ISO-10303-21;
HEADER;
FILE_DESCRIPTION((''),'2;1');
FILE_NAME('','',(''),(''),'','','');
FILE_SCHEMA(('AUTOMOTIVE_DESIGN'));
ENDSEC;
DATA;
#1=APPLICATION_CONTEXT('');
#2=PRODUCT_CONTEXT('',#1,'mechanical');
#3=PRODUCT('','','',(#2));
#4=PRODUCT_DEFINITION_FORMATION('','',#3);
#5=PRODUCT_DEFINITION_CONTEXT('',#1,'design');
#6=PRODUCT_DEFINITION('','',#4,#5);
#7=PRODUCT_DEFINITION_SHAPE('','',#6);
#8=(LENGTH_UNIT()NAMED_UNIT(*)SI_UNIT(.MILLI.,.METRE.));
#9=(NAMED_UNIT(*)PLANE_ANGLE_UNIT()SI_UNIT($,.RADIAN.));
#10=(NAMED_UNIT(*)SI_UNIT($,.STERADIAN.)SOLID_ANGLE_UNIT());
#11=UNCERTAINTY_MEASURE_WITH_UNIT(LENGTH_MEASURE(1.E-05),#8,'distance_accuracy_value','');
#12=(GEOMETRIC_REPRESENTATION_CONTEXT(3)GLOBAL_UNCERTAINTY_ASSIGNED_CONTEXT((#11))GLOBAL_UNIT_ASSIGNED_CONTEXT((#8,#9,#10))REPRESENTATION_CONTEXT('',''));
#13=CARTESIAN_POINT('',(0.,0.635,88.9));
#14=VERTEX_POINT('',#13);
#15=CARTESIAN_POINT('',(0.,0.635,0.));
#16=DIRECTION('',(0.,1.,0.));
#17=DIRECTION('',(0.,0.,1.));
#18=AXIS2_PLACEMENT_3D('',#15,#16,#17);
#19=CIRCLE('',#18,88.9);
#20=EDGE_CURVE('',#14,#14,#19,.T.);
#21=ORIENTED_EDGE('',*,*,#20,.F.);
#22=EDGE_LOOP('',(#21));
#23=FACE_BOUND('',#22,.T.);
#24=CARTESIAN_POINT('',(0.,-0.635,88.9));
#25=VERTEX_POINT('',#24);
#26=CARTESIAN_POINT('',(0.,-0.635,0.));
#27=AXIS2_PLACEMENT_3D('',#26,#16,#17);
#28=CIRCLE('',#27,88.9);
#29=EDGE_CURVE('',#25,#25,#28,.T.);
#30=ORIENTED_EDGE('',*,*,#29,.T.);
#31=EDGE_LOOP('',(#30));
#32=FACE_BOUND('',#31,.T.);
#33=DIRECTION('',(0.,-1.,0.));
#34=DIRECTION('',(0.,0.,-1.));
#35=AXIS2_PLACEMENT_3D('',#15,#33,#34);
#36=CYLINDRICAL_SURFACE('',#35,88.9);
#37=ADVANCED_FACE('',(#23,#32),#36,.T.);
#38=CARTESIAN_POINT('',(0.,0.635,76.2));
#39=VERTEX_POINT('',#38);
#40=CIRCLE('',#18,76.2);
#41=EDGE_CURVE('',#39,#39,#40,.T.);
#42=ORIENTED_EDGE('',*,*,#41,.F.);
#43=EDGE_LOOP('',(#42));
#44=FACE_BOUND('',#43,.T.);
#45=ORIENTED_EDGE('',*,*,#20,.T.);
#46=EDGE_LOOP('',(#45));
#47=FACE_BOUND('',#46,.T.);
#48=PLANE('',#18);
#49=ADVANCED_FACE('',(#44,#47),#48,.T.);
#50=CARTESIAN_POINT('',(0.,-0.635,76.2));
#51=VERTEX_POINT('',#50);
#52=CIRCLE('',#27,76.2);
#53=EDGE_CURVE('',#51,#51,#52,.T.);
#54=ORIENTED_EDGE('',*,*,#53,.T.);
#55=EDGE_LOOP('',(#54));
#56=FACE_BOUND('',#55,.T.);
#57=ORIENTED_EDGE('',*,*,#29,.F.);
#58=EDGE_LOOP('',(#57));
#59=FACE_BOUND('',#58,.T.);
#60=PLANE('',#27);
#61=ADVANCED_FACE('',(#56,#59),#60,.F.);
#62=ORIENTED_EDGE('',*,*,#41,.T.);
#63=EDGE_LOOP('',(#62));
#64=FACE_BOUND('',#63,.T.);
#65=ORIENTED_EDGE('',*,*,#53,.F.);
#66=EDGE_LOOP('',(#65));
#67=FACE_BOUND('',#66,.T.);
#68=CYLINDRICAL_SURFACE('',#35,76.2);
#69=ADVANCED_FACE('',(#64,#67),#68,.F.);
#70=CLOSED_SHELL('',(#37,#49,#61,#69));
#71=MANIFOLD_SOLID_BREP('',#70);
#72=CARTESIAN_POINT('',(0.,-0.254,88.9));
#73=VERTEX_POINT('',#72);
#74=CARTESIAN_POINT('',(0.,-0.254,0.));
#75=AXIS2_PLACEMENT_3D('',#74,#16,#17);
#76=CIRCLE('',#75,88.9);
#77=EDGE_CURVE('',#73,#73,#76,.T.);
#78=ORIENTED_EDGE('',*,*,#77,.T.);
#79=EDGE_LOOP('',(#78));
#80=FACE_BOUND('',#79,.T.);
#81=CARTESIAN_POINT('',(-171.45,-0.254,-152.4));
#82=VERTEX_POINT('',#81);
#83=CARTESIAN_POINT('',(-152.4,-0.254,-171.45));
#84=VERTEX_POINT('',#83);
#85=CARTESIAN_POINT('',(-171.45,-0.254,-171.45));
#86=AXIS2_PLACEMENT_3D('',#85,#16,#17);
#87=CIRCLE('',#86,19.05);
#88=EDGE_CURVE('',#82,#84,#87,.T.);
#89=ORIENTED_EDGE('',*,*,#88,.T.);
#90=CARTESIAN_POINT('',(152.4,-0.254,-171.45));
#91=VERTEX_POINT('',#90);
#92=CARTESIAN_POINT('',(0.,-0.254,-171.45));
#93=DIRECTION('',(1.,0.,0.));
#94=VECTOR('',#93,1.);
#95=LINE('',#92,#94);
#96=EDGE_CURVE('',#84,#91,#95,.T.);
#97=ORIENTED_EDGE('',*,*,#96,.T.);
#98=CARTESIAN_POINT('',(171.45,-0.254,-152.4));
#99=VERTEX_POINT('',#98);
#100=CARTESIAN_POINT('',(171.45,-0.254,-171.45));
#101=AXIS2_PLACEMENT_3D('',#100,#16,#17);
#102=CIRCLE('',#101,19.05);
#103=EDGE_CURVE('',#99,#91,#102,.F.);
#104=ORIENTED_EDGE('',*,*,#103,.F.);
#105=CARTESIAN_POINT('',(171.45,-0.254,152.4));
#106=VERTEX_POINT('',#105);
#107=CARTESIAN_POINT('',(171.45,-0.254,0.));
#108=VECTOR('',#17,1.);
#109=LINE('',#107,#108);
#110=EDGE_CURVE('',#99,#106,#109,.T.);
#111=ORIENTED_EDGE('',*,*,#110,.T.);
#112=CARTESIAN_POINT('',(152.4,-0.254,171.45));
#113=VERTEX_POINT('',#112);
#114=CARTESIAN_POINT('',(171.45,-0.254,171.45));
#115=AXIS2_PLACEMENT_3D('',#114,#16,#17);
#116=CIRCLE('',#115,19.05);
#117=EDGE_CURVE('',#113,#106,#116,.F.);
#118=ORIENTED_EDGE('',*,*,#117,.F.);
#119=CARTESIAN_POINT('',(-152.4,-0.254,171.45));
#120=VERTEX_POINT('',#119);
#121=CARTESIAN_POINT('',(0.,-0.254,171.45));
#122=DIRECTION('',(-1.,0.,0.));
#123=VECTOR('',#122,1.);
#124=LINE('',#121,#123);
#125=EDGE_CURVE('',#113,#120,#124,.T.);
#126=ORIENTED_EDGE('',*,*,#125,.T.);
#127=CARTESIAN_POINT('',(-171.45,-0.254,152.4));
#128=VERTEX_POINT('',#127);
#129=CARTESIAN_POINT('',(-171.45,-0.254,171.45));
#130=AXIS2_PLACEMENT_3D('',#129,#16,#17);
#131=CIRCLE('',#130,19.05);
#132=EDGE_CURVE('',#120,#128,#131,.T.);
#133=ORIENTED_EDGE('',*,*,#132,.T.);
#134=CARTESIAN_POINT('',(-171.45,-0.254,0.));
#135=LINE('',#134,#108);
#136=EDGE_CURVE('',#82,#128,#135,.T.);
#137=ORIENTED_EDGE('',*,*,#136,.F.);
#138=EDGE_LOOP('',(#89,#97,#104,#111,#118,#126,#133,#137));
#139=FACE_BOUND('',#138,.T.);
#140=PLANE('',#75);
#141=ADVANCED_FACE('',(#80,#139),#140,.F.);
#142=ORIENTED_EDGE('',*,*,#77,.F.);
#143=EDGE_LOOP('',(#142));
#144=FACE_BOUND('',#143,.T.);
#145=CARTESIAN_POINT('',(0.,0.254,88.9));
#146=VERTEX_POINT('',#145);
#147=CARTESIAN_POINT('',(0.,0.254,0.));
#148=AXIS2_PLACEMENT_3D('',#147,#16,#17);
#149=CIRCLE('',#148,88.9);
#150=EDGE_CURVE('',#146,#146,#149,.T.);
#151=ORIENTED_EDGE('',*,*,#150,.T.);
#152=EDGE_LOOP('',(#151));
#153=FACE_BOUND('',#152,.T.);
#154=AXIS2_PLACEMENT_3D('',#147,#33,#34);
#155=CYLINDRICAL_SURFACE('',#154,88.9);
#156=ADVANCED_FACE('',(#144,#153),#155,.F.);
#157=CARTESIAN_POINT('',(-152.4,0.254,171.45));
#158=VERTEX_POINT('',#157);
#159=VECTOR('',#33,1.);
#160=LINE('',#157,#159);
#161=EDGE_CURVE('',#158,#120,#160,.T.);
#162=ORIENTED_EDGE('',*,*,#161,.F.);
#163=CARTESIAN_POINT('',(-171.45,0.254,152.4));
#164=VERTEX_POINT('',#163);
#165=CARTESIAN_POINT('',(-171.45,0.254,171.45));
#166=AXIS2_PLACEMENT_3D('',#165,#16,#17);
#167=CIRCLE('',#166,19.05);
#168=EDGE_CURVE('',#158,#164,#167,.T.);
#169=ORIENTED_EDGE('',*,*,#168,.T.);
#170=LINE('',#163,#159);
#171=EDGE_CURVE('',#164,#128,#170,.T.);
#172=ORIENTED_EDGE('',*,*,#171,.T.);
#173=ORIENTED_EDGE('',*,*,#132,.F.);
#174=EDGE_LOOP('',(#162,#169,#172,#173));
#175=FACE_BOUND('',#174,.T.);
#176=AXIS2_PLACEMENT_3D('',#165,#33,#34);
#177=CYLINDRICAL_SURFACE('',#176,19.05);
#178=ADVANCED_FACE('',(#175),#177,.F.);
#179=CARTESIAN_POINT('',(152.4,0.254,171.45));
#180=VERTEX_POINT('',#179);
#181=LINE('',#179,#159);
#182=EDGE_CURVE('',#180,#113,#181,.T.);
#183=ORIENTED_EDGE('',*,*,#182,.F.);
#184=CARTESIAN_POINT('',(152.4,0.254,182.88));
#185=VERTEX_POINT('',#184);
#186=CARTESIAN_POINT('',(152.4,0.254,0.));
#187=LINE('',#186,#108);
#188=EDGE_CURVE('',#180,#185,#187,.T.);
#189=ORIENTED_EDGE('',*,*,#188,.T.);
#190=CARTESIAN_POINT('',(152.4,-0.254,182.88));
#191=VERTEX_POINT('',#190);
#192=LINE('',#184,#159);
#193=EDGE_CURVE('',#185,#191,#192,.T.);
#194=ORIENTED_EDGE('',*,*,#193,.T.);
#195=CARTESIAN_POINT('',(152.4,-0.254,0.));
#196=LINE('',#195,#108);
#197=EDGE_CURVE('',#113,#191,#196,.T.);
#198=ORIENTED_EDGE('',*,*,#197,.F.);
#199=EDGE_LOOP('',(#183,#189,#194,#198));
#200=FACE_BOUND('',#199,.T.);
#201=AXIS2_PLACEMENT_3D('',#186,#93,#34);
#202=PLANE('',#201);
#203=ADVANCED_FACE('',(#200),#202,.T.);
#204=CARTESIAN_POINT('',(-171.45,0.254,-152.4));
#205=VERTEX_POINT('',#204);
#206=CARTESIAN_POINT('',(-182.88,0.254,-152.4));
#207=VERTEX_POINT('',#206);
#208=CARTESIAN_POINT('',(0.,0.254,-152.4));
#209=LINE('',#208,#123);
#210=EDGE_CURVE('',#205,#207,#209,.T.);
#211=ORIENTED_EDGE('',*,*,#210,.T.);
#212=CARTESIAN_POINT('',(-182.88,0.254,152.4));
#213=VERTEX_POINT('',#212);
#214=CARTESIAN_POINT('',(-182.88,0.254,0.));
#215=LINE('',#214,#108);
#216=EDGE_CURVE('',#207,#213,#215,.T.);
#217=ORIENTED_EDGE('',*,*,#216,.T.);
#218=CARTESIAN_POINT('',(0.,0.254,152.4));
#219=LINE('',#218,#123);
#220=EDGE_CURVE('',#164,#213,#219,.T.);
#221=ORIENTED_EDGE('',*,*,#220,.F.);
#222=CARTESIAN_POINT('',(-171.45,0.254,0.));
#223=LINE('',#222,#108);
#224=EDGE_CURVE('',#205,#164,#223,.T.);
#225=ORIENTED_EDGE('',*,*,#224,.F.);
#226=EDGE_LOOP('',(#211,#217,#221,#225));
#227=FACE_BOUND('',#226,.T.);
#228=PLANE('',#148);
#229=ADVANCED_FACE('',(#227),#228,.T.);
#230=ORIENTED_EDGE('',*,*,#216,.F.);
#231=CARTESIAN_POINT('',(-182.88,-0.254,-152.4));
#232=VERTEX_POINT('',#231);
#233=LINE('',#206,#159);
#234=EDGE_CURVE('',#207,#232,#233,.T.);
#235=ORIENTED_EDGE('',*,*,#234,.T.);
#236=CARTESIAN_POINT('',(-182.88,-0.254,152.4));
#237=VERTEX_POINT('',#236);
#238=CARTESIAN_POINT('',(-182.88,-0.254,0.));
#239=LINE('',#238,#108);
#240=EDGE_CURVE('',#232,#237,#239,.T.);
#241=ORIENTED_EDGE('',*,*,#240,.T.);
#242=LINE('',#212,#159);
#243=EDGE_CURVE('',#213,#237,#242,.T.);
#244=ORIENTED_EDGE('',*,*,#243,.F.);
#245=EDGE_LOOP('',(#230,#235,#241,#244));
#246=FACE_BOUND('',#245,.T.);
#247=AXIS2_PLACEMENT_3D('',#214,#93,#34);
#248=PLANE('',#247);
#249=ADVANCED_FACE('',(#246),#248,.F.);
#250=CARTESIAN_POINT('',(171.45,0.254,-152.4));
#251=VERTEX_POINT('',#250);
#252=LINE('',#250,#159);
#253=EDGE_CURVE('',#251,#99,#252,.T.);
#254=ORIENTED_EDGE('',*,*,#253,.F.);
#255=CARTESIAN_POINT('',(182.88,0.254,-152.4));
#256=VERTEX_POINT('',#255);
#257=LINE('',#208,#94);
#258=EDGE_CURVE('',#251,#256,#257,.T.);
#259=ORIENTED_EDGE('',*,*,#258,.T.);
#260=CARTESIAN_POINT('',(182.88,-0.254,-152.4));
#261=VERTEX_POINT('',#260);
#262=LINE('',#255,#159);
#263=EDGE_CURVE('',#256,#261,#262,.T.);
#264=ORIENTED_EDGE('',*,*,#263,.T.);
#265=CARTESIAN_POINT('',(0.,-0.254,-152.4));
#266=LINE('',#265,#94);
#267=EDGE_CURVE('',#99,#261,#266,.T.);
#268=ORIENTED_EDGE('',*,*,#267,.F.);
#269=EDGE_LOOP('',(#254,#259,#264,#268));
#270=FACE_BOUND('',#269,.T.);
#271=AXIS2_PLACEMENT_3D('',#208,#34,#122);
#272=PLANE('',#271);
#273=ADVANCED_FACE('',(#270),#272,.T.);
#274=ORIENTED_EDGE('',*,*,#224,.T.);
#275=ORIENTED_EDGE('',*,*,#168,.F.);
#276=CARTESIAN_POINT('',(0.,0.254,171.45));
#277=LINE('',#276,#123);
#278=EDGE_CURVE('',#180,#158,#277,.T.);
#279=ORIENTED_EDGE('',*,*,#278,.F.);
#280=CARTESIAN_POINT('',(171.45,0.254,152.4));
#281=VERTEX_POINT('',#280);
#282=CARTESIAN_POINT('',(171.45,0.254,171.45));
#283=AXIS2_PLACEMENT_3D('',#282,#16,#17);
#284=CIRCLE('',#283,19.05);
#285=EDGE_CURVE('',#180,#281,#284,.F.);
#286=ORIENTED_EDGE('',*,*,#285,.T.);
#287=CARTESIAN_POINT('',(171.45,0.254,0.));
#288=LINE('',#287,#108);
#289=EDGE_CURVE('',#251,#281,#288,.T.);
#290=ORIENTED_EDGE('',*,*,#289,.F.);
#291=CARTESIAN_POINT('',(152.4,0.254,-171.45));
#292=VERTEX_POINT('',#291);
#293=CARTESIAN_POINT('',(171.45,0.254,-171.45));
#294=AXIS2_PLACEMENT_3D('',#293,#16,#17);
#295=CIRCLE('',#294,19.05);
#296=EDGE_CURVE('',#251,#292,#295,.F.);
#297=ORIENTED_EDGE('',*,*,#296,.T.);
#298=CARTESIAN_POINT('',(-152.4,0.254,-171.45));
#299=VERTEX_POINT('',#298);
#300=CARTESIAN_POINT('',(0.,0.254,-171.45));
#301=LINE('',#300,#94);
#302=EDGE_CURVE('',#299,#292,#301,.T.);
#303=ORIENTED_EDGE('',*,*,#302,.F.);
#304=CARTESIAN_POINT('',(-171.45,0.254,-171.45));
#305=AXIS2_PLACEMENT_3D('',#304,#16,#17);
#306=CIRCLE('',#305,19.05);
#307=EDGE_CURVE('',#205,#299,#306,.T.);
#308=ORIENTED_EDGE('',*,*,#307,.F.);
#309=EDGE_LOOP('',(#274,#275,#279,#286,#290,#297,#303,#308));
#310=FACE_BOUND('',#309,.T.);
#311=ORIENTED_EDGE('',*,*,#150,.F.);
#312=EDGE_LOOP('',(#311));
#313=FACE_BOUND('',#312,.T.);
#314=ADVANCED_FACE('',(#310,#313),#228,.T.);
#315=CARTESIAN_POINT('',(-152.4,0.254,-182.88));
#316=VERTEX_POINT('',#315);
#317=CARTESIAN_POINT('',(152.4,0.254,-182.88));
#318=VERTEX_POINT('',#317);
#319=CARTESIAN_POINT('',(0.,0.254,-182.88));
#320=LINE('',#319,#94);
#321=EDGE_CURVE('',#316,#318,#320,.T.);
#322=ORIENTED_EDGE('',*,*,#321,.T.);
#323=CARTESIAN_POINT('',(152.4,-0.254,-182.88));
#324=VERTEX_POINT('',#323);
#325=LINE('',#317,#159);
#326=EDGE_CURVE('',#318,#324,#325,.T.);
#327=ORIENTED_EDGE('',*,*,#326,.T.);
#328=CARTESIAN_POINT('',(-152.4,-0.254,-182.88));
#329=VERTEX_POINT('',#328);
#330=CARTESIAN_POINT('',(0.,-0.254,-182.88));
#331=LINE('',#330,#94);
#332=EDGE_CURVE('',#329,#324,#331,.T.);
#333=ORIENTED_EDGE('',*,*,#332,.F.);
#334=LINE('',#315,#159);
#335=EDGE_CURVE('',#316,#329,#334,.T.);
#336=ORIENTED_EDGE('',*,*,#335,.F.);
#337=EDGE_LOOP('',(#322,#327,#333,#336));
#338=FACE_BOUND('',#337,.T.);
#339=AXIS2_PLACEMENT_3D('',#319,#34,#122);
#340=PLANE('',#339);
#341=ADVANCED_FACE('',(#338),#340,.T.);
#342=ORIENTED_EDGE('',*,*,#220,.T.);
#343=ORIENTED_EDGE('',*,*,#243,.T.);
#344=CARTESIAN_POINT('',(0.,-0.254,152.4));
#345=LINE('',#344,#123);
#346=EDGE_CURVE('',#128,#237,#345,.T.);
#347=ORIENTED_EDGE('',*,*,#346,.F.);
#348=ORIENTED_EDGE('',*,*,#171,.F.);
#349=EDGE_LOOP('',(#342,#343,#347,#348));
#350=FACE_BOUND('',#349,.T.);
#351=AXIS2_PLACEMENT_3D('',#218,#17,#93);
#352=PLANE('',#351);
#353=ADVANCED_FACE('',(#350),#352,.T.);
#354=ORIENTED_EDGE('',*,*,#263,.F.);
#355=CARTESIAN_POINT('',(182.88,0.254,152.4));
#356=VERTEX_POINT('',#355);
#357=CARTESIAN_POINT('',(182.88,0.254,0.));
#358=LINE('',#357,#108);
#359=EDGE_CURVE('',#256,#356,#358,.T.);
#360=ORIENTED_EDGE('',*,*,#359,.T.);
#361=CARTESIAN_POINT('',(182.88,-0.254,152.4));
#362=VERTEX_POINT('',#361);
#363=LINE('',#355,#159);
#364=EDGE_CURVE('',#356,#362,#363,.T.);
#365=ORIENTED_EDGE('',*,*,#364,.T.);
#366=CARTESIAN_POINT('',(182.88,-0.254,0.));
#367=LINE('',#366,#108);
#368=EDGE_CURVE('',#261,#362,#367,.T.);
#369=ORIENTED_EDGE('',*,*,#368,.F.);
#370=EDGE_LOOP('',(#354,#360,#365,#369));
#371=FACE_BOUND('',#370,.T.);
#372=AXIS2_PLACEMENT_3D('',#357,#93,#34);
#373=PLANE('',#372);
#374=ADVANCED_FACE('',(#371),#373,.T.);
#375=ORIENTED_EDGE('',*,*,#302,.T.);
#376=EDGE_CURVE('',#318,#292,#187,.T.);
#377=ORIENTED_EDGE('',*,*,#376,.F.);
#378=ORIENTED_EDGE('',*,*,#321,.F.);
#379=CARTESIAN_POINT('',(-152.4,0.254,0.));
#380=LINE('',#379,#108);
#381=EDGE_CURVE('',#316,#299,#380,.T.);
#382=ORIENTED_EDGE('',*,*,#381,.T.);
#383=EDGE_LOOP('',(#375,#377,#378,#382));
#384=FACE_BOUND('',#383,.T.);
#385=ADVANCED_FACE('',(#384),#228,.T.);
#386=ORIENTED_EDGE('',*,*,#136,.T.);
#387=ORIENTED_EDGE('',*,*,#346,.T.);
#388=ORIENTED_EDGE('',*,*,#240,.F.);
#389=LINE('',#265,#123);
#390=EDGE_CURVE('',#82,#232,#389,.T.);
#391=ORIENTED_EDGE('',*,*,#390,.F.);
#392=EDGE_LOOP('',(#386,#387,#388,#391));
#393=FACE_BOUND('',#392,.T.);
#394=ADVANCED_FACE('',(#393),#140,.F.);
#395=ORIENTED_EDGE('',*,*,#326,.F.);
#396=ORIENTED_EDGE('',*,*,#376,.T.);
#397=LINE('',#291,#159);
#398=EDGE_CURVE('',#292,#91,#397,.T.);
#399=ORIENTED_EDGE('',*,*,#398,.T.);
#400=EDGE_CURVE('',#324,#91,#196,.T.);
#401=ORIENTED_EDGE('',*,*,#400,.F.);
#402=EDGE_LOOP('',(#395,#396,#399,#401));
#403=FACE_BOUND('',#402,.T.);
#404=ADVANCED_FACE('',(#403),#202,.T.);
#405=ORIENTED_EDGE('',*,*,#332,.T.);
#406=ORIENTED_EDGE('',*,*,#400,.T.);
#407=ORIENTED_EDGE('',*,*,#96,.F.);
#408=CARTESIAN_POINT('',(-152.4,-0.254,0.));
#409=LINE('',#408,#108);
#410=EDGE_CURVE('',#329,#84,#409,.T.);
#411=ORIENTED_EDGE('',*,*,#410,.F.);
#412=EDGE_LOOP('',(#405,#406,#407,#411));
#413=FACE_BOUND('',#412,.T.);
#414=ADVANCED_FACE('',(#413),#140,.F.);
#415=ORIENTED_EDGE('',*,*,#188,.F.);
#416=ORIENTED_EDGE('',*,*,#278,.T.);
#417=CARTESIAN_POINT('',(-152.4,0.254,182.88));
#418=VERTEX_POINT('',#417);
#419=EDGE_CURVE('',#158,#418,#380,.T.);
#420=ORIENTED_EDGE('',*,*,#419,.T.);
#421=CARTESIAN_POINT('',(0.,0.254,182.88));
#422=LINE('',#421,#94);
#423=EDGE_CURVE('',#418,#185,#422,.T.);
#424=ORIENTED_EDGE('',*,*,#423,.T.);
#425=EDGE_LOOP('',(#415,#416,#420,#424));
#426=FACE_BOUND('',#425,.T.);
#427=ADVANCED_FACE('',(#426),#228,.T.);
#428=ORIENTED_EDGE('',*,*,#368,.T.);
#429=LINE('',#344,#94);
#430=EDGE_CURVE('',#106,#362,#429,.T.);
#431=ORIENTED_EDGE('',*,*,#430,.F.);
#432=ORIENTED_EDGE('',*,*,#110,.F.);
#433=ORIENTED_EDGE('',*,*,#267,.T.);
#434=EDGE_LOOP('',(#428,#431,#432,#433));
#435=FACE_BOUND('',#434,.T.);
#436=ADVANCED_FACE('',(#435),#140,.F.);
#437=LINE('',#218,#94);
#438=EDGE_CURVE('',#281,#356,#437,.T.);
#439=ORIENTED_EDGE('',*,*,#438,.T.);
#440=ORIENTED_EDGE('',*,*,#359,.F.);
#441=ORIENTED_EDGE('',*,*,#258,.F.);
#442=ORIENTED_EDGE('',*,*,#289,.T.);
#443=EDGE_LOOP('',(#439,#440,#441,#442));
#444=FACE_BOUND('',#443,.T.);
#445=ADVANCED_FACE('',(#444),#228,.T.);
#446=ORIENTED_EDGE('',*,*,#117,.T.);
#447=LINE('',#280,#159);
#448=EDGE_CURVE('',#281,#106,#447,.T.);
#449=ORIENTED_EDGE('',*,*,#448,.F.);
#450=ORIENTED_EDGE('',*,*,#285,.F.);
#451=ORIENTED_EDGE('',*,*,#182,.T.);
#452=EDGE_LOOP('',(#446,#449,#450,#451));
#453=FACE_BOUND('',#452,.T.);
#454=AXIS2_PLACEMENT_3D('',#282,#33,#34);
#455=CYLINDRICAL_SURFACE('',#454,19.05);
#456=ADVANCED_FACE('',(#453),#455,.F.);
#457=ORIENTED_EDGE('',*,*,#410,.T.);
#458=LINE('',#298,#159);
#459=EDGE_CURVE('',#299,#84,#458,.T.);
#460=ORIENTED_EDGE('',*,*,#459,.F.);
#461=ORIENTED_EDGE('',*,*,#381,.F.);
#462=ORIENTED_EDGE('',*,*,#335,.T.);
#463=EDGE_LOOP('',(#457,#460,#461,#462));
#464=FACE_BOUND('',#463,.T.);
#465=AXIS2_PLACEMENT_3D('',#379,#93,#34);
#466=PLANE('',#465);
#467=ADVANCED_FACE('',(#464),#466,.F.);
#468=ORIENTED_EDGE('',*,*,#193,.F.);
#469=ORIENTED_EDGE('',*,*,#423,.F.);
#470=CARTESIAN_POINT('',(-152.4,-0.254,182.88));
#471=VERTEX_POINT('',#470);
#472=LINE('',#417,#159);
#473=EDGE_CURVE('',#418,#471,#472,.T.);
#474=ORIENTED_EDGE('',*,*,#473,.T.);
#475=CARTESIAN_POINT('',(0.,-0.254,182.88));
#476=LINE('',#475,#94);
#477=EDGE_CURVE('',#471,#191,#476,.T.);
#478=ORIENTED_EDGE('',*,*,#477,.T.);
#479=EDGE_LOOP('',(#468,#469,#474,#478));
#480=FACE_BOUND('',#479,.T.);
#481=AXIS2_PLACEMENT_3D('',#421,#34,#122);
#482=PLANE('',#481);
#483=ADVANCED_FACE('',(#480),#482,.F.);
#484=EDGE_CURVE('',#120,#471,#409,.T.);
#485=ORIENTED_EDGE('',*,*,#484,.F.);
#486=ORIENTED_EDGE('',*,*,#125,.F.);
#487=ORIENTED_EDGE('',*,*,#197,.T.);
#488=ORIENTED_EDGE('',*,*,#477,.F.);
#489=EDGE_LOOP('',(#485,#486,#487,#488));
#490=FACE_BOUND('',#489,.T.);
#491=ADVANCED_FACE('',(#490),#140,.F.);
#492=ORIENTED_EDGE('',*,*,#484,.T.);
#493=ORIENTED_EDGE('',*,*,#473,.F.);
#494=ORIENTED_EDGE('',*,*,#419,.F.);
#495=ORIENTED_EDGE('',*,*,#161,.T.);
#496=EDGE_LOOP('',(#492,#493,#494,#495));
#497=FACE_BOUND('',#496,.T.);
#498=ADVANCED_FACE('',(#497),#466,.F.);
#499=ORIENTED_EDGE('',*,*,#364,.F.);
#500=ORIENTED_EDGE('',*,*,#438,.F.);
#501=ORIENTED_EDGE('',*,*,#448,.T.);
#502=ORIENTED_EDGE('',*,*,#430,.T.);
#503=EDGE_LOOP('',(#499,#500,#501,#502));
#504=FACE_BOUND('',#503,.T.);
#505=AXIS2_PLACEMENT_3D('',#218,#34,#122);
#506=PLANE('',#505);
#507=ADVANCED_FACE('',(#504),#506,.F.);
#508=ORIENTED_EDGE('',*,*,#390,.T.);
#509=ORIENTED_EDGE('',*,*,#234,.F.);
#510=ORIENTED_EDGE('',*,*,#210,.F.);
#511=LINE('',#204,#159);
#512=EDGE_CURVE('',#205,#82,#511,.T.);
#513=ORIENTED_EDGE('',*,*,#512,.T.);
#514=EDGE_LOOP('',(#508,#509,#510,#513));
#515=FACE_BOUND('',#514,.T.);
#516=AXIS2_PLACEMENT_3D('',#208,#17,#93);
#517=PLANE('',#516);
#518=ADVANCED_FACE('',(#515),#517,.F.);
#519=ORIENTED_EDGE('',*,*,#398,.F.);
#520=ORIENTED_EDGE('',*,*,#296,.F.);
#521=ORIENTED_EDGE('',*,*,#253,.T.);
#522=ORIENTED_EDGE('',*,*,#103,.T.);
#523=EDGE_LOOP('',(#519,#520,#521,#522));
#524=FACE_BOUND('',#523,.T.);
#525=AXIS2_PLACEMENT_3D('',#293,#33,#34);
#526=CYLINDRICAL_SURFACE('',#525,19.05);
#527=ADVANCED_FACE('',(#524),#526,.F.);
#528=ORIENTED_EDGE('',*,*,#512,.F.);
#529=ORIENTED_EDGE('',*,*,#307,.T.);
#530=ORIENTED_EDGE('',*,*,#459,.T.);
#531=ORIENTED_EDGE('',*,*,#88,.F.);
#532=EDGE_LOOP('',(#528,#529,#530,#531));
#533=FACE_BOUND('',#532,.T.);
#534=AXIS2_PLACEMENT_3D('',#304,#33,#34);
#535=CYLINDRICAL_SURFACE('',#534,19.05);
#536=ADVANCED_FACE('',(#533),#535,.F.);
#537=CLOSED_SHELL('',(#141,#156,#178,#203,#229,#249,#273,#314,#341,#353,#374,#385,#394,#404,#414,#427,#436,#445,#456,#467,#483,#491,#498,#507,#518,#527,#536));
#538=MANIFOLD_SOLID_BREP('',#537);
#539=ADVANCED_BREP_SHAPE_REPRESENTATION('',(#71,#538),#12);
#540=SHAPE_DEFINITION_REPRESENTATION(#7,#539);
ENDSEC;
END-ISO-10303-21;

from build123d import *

# Parameters (mm, degrees)
SKETCH1_R           = 88.9
BOSS_EXTRUDE1_DEPTH = 0.254
SKETCH1_4_R         = 88.9
SKETCH1_4_R_2       = 76.2
BOSS_EXTRUDE2_DEPTH = 0.635


with BuildPart() as part:
    # Sketch1 → Boss-Extrude1 (new, symmetric)
    with BuildSketch(Plane(origin=(0, 0, 0), x_dir=(1, 0, 0), z_dir=(0, 1, 0))):
        with BuildLine():
            ThreePointArc((-171.45, -152.4), (-157.979615818, -157.979615818), (-152.4, -171.45))
            Line((-152.4, -171.45), (-152.4, -182.88))
            Line((-152.4, -182.88), (152.4, -182.88))
            Line((152.4, -182.88), (152.4, -171.45))
            ThreePointArc((152.4, -171.45), (157.979615818, -157.979615818), (171.45, -152.4))
            Line((171.45, -152.4), (182.88, -152.4))
            Line((182.88, -152.4), (182.88, 152.4))
            Line((182.88, 152.4), (171.45, 152.4))
            ThreePointArc((171.45, 152.4), (157.979615818, 157.979615818), (152.4, 171.45))
            Line((152.4, 171.45), (152.4, 182.88))
            Line((152.4, 182.88), (-152.4, 182.88))
            Line((-152.4, 182.88), (-152.4, 171.45))
            ThreePointArc((-152.4, 171.45), (-157.979615818, 157.979615818), (-171.45, 152.4))
            Line((-171.45, 152.4), (-182.88, 152.4))
            Line((-182.88, 152.4), (-182.88, -152.4))
            Line((-182.88, -152.4), (-171.45, -152.4))
        make_face()
        Circle(SKETCH1_R, mode=Mode.SUBTRACT)
    extrude(amount=BOSS_EXTRUDE1_DEPTH, both=True)


with BuildPart() as body_2:
    # Sketch1<4> → Boss-Extrude2 (new, symmetric)
    with BuildSketch(Plane(origin=(0, 0, 0), x_dir=(1, 0, 0), z_dir=(0, 1, 0))):
        Circle(SKETCH1_4_R)
        Circle(SKETCH1_4_R_2, mode=Mode.SUBTRACT)
    extrude(amount=BOSS_EXTRUDE2_DEPTH, both=True)


solid = Compound([part.part, body_2.part])
